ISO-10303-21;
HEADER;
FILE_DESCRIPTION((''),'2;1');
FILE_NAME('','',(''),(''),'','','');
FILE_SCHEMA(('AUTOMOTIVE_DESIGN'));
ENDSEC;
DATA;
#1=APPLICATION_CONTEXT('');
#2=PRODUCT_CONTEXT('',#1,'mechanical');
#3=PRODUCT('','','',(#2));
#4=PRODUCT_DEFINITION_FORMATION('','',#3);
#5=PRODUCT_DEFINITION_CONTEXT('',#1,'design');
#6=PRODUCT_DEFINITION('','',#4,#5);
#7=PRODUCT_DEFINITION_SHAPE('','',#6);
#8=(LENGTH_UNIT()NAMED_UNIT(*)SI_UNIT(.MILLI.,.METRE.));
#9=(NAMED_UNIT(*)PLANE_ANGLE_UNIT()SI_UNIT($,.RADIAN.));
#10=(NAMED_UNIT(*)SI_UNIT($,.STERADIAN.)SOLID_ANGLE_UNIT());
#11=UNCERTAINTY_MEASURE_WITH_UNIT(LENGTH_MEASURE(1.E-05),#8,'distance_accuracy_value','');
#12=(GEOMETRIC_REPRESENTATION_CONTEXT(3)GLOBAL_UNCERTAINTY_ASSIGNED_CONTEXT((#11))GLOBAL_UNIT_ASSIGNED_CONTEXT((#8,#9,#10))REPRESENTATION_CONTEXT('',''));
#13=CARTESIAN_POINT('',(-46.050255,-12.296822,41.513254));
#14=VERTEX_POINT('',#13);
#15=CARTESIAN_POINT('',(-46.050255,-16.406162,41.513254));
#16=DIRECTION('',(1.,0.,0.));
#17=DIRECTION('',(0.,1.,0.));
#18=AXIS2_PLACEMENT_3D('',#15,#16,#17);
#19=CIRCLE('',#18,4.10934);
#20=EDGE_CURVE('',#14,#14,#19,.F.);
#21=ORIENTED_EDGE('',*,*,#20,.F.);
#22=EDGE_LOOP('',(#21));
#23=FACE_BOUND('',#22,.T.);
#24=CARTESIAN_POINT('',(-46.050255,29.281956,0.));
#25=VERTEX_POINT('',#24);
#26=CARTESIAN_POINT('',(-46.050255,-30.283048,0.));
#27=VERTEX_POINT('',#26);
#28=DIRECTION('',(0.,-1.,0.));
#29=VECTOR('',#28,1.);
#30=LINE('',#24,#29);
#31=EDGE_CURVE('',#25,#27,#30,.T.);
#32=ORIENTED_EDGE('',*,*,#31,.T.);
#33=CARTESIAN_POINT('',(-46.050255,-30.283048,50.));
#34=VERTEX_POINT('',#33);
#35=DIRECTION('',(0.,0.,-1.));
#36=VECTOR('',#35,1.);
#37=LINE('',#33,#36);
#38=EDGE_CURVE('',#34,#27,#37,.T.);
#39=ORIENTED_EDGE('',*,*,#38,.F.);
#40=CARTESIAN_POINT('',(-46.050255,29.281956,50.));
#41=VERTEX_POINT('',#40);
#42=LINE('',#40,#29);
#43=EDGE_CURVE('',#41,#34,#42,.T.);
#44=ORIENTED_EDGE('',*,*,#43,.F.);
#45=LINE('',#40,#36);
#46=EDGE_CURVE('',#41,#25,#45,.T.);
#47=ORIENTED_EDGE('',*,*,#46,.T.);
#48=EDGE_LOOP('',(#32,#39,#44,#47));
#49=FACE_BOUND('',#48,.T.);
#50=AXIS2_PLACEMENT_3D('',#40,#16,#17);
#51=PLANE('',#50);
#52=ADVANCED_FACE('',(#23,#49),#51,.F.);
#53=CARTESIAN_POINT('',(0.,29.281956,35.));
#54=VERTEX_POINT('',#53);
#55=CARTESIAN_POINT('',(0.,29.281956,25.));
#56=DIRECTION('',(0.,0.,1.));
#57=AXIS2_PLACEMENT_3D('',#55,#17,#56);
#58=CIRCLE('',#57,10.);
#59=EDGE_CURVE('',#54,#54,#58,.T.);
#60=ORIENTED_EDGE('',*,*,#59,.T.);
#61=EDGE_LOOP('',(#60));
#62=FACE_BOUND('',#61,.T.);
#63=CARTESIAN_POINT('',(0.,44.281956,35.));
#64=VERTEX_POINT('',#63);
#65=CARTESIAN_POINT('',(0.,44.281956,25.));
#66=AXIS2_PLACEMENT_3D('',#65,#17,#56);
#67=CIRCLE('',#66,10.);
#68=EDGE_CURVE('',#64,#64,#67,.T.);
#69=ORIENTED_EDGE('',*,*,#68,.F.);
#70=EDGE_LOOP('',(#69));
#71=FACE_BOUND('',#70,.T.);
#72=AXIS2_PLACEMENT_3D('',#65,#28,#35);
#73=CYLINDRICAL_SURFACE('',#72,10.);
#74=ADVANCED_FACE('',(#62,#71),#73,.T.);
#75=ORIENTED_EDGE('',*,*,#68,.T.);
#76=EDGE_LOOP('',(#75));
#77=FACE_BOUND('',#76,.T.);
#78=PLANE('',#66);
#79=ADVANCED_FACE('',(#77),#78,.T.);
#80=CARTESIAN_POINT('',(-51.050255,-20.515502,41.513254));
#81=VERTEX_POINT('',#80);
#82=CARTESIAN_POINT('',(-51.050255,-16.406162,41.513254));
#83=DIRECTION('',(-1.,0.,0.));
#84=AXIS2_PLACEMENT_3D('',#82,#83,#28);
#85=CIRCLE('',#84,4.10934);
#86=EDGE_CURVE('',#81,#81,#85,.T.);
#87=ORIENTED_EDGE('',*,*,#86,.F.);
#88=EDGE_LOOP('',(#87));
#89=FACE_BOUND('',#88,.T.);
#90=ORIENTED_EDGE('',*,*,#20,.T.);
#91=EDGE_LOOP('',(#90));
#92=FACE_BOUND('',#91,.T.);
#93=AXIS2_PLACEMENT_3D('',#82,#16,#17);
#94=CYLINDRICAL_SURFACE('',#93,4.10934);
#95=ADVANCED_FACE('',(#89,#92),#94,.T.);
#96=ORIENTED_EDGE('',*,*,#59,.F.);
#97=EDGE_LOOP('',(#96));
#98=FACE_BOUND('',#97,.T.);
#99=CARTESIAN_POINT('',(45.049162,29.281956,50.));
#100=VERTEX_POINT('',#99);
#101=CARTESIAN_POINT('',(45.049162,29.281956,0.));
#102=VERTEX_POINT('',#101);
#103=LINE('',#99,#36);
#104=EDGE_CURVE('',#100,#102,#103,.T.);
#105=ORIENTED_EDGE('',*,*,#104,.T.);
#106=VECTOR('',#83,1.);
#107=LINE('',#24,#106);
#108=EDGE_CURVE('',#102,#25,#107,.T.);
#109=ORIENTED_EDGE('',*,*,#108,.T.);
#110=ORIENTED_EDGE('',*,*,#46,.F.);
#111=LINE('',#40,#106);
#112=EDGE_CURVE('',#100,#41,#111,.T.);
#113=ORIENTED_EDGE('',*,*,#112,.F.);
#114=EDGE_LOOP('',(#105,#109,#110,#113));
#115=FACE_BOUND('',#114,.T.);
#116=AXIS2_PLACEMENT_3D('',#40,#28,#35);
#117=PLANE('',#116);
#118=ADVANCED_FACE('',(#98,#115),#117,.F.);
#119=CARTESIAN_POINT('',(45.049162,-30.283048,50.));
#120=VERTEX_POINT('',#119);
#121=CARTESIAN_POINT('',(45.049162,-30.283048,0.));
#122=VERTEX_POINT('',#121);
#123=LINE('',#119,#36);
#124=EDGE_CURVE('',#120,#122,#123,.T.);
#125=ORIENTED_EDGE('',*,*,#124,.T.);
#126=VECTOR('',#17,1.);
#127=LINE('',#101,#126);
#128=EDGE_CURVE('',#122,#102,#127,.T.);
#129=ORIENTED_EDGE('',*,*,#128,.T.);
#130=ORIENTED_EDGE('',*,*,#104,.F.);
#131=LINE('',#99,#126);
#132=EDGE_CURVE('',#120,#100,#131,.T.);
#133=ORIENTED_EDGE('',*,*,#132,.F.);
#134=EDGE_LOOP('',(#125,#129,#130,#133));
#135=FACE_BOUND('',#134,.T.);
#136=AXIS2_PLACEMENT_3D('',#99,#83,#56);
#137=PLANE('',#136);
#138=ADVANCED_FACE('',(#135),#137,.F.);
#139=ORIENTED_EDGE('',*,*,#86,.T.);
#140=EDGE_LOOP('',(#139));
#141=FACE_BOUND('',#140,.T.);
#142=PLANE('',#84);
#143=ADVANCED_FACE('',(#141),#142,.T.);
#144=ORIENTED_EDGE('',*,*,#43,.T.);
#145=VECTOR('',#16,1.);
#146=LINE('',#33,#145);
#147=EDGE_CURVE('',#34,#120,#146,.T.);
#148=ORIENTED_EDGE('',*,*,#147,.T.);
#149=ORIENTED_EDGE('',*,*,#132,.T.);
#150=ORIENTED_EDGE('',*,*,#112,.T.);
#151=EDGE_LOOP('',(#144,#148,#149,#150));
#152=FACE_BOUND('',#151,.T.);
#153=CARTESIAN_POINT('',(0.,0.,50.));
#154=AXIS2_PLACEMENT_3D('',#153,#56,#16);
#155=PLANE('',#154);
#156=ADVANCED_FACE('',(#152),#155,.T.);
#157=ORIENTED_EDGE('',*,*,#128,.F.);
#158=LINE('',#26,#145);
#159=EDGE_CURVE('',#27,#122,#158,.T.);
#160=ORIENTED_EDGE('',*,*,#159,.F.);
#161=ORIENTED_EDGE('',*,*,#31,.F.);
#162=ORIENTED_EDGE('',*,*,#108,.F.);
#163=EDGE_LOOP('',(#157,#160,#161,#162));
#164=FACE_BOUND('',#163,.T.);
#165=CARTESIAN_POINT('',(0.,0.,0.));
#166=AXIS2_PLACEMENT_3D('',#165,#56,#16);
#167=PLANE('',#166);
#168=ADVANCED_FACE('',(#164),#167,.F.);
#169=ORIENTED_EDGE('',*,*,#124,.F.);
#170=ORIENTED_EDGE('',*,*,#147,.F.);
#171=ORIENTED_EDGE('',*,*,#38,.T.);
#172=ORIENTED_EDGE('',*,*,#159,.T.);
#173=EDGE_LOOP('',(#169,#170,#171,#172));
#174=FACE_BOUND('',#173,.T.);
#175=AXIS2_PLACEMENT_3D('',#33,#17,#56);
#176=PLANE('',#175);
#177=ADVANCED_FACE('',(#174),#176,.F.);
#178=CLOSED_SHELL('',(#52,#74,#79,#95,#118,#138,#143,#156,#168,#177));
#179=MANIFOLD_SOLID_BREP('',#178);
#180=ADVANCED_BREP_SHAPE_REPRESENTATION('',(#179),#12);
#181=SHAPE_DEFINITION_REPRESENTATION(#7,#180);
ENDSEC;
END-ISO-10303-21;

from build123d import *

# Parameters (mm, degrees)
SKETCH1_W           = 91.09941719
SKETCH1_H           = 59.565003547
BOSS_EXTRUDE1_DEPTH = 50
SKETCH2_R           = 4.109340119
BOSS_EXTRUDE2_DEPTH = 5
SKETCH4_R           = 10
BOSS_EXTRUDE3_DEPTH = 15


with BuildPart() as part:
    # Sketch1 → Boss-Extrude1 (new body)
    with BuildSketch(Plane.XY):
        with Locations((-0.500546248, -0.500546249)):
            Rectangle(SKETCH1_W, SKETCH1_H)
    extrude(amount=BOSS_EXTRUDE1_DEPTH)

    # Sketch2 → Boss-Extrude2 (add)
    with BuildSketch(Plane.ZY.offset(46.050254843)):
        with Locations(Location((41.513253833, -16.406162376, 0), (0, 0, 90))):
            Circle(SKETCH2_R)
    extrude(amount=BOSS_EXTRUDE2_DEPTH)

    # Sketch4 → Boss-Extrude3 (add)
    with BuildSketch(Plane(origin=(0, 29.281955525, 0), x_dir=(1, 0, 0), z_dir=(0, 1, 0))):
        with Locations(Location((0, -25, 0), (0, 0, 270))):
            Circle(SKETCH4_R)
    extrude(amount=BOSS_EXTRUDE3_DEPTH)


solid = part.part
